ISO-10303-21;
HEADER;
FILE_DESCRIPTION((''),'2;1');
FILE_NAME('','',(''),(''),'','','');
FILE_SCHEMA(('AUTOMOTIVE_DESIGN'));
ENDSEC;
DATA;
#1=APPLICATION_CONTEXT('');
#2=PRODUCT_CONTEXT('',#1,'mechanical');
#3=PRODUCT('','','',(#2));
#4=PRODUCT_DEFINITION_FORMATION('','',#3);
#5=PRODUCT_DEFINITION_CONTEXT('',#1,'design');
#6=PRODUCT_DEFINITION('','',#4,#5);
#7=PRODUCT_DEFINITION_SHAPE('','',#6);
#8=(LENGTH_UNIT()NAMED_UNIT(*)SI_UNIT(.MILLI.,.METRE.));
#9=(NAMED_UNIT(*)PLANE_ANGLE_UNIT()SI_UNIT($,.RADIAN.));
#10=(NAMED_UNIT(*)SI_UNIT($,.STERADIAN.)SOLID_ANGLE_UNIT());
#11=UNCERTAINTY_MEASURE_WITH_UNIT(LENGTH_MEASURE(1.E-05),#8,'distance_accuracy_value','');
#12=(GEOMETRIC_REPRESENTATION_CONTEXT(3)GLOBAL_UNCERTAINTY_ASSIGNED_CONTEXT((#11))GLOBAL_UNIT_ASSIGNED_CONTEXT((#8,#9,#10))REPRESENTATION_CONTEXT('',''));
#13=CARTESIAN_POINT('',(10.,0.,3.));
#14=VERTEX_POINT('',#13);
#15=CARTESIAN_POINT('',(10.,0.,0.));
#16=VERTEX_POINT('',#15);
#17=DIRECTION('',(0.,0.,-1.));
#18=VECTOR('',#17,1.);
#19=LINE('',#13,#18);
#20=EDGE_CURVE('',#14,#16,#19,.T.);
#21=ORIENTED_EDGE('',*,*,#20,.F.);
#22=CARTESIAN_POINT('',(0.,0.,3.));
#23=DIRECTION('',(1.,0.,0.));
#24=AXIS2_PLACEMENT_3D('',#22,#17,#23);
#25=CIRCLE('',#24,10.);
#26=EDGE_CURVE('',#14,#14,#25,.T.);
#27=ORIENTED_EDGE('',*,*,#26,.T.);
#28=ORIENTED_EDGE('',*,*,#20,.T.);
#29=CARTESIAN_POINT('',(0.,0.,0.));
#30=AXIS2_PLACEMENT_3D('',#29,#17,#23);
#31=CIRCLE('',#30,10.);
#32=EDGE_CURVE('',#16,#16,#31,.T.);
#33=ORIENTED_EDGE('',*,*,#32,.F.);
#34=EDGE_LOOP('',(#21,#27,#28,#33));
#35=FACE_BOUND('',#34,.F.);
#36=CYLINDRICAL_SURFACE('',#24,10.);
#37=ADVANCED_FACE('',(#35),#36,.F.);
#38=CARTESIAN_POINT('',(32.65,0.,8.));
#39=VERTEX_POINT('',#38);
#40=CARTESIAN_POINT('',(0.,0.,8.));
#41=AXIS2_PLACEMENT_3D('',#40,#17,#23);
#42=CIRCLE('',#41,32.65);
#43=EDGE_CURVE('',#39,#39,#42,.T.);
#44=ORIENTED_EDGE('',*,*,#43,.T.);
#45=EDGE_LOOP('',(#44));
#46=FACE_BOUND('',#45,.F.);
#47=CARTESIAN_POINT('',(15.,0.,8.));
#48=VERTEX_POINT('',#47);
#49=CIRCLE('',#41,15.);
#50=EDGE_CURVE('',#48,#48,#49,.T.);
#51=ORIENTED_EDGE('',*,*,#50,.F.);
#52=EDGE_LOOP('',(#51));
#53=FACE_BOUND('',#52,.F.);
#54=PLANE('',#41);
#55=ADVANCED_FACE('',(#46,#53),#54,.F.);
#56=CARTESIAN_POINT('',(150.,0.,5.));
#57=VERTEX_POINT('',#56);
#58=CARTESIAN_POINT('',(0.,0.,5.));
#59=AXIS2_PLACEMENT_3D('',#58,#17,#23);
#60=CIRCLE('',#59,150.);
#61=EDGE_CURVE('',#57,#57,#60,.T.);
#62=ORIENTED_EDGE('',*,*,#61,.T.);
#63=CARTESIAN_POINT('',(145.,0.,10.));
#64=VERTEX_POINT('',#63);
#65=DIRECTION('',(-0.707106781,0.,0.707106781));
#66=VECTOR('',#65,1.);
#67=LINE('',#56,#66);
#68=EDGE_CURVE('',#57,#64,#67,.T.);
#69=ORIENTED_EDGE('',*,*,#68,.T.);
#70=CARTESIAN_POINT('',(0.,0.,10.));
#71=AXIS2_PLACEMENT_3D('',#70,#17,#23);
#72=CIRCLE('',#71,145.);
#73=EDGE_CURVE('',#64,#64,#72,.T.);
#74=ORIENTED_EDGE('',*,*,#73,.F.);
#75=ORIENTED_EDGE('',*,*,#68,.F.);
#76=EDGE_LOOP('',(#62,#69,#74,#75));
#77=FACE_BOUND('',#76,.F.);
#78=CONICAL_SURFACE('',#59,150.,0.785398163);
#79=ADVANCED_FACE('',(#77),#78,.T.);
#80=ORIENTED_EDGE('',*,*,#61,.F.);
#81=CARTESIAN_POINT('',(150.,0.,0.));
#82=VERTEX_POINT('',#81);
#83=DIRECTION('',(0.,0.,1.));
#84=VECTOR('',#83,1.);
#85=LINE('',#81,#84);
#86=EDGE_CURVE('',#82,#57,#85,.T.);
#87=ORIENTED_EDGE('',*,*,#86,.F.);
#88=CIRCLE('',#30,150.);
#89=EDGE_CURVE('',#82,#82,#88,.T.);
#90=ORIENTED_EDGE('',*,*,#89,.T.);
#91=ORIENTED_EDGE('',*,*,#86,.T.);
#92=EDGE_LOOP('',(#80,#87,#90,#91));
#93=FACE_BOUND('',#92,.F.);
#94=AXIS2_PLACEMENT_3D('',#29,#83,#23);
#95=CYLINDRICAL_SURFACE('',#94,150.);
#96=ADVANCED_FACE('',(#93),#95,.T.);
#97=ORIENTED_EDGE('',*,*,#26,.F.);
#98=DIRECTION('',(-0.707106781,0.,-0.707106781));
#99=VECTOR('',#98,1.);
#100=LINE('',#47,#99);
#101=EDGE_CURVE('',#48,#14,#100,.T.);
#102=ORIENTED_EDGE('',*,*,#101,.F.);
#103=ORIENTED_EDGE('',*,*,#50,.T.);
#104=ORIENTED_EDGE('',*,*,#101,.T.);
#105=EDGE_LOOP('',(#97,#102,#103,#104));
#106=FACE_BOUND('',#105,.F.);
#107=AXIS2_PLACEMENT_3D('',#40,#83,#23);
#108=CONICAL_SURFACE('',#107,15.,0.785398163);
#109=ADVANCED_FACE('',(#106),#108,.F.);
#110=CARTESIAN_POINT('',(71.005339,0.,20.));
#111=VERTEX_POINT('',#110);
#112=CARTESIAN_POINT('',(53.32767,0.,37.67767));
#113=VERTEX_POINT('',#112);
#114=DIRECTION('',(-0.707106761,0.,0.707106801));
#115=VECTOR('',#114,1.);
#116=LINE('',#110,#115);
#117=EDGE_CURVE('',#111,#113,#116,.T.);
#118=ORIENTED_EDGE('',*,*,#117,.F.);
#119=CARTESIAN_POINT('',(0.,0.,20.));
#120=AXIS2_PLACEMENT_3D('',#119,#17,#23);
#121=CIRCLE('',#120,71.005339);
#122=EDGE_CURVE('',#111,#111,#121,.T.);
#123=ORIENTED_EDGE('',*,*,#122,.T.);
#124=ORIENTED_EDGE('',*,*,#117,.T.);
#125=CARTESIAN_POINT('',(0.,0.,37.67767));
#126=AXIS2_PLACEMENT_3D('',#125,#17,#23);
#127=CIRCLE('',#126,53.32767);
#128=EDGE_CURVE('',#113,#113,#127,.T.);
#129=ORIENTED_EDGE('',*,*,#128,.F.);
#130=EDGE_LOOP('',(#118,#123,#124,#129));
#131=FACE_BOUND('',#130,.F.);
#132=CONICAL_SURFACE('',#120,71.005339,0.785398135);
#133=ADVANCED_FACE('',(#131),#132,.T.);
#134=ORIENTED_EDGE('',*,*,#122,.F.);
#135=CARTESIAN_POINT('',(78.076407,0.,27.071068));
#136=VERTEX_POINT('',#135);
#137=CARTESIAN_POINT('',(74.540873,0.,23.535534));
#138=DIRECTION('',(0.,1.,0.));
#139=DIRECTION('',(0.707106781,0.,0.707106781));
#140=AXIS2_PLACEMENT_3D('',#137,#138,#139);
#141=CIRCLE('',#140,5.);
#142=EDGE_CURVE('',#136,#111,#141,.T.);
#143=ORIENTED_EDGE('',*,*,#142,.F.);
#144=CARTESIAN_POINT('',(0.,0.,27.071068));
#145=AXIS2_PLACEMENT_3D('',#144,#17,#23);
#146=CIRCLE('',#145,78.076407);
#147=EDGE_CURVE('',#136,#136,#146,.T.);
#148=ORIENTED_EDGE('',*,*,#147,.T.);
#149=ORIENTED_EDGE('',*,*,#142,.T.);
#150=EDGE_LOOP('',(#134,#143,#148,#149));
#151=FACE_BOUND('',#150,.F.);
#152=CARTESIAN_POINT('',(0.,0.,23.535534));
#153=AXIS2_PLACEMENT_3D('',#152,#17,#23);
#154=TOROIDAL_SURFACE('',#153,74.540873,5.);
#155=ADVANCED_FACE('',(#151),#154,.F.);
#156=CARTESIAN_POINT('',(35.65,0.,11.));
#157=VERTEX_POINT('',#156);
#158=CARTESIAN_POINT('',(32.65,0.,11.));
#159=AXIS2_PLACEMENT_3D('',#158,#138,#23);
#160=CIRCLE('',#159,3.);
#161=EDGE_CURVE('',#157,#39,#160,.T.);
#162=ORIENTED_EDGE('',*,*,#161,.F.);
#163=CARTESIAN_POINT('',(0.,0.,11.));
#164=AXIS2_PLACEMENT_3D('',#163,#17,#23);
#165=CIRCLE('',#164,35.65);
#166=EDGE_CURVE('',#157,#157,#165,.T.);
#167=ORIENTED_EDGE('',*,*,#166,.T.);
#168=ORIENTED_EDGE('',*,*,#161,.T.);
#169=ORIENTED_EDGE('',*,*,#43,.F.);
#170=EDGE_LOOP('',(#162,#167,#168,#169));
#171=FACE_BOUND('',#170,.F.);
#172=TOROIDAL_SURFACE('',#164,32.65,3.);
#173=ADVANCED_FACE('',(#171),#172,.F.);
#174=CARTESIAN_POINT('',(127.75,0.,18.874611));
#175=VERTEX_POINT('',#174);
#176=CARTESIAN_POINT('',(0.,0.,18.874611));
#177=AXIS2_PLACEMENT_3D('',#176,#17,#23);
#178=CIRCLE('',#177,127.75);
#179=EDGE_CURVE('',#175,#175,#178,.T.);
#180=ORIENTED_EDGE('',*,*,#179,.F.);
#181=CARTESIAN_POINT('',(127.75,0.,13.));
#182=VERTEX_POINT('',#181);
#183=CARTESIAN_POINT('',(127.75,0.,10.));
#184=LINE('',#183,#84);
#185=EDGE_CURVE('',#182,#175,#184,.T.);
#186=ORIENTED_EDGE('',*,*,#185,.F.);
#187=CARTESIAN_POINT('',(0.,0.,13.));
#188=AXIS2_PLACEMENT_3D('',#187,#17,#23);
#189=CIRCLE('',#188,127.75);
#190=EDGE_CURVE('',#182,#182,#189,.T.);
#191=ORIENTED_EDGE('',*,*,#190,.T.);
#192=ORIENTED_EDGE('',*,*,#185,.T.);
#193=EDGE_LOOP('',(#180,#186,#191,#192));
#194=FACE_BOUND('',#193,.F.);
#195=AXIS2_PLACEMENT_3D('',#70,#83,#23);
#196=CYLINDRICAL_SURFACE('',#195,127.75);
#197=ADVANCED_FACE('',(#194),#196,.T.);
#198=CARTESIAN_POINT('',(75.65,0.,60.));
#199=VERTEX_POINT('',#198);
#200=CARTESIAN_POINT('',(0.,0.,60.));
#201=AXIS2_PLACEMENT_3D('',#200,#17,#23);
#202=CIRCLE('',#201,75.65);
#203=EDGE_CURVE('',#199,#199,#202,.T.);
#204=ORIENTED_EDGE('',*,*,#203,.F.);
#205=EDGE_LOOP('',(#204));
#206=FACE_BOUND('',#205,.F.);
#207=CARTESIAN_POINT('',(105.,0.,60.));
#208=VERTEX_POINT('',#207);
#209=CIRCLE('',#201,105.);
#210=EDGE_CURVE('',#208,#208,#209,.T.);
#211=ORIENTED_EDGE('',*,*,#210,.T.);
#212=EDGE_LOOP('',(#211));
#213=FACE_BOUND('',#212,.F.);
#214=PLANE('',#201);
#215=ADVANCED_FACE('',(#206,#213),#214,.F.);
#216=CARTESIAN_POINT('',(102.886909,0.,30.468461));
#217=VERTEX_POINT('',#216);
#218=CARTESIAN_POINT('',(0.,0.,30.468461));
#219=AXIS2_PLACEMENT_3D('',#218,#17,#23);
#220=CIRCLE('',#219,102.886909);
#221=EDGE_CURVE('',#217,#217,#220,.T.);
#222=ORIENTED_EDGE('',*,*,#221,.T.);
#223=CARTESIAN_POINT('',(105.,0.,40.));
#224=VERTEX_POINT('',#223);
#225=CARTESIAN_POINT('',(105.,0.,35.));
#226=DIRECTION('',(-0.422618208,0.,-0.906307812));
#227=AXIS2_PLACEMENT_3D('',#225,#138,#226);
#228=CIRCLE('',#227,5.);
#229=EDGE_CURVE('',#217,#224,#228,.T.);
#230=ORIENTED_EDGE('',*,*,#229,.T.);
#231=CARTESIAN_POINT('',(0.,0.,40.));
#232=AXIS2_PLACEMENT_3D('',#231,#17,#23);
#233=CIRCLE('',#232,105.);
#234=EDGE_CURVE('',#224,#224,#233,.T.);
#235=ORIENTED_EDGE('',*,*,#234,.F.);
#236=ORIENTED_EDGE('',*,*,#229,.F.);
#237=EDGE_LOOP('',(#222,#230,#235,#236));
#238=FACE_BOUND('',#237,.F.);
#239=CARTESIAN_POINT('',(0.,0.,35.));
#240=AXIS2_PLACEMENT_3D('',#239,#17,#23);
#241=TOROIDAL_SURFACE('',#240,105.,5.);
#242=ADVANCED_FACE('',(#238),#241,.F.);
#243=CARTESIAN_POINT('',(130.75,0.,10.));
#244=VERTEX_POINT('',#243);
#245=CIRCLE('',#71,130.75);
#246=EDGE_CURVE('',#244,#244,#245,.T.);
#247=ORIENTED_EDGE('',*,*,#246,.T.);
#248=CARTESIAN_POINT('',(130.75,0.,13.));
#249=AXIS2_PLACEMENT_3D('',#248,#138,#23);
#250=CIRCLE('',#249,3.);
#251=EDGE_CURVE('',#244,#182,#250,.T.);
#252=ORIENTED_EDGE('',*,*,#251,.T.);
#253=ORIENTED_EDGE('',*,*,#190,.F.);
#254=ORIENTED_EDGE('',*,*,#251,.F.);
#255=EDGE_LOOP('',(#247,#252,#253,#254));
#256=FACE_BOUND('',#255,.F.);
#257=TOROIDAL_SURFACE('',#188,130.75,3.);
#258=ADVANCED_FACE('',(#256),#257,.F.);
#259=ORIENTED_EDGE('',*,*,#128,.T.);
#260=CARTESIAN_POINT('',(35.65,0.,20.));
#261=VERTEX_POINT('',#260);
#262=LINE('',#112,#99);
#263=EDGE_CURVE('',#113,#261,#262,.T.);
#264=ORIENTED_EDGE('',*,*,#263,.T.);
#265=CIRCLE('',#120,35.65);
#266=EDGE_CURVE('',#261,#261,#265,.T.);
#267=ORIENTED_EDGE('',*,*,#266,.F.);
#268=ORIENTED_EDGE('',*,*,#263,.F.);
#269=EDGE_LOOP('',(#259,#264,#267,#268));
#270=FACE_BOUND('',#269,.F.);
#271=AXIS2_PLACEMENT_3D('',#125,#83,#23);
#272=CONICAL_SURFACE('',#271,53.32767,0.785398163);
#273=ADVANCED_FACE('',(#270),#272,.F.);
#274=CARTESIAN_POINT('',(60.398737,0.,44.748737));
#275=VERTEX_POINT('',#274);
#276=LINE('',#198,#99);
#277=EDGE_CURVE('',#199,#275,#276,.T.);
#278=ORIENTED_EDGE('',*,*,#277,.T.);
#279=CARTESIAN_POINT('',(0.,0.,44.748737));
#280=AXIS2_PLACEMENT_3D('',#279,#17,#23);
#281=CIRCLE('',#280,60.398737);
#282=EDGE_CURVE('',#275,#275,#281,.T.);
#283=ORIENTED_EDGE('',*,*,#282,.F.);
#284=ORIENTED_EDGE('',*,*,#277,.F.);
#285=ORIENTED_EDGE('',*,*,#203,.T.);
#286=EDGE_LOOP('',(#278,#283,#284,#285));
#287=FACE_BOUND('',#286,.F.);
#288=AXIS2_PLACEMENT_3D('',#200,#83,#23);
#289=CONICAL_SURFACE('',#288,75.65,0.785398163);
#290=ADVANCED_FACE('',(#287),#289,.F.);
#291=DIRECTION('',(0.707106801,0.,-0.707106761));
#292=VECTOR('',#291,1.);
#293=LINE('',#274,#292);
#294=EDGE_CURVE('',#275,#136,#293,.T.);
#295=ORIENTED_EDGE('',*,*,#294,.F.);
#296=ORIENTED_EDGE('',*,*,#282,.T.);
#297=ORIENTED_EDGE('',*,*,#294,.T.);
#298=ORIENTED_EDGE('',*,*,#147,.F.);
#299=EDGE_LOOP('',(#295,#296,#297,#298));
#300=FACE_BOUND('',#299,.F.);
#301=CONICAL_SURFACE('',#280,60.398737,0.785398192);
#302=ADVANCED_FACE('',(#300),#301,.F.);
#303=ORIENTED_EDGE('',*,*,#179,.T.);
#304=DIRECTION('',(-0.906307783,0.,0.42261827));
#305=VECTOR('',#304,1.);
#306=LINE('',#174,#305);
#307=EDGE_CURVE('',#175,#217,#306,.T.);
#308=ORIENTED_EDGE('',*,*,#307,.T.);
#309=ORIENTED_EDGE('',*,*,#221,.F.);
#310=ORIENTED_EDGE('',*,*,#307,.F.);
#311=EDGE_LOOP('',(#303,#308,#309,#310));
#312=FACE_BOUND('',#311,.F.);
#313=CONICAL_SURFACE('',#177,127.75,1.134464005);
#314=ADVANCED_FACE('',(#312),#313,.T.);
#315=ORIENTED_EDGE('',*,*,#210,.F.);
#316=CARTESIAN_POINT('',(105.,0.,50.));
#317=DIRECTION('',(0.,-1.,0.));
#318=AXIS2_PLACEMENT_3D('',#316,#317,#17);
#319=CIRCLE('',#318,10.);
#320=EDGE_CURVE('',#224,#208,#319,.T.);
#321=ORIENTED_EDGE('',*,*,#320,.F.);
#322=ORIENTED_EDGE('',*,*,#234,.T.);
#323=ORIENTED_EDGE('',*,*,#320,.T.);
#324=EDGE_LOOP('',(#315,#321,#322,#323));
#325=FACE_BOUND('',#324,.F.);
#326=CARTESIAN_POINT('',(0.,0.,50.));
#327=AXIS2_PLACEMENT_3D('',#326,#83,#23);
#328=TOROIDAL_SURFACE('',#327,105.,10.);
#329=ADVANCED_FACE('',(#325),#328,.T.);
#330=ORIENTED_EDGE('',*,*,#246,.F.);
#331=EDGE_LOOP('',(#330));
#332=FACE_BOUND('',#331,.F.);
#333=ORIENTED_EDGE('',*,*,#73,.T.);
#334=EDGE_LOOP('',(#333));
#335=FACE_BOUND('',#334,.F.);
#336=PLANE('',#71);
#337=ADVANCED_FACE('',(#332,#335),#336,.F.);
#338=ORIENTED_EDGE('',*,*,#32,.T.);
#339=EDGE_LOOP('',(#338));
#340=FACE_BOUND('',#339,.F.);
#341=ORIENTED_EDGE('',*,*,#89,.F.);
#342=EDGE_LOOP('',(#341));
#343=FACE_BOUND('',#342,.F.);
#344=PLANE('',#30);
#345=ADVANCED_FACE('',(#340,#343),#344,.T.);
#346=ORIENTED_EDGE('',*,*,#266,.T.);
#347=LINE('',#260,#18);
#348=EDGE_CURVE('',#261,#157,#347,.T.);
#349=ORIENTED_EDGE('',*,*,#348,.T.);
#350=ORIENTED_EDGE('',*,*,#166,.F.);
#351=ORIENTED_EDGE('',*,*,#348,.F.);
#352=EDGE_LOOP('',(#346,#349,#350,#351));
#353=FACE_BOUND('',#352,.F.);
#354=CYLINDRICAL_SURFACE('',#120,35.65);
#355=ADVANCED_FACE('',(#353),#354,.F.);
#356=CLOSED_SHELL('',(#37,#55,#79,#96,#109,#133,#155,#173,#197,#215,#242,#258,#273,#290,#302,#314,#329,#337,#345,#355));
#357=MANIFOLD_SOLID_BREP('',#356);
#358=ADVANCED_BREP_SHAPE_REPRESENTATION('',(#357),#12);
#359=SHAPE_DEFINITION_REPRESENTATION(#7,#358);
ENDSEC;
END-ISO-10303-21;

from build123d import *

# Parameters (mm, degrees)
F2_R = 3


with BuildPart() as f1:
    # F0 (on Front) → F1 (revolve)
    with BuildSketch(Plane.XZ):
        with BuildLine():
            Line((10, 3), (10, 0))
            Line((10, 0), (150, 0))
            Line((150, 0), (150, 5))
            Line((150, 5), (145, 10))
            Line((145, 10), (127.75, 10))
            Line((127.75, 10), (127.75, 18.874611))
            Line((127.75, 18.874611), (102.886909, 30.468461))
            ThreePointArc((102.886909, 30.468461), (100.11852, 36.082198), (105, 40))
            ThreePointArc((105, 40), (115, 50), (105, 60))
            Line((105, 60), (75.65, 60))
            Line((75.65, 60), (60.398737, 44.748737))
            Line((60.398737, 44.748737), (78.076407, 27.071068))
            ThreePointArc((78.076407, 27.071068), (78.076407, 20), (71.005339, 20))
            Line((71.005339, 20), (53.32767, 37.67767))
            Line((53.32767, 37.67767), (35.65, 20))
            Line((35.65, 20), (35.65, 8))
            Line((35.65, 8), (15, 8))
            Line((15, 8), (10, 3))
        make_face()
    revolve(axis=Axis((0, 0, 25.041718), (0, 0, -1)))

    # F2
    f2_edges = [f1.edges().sort_by_distance(p)[0] for p in [
        (-35.65, 0, 8),
        (-127.75, 0, 10),
    ]]
    fillet(f2_edges, radius=F2_R)


solid = f1.part
